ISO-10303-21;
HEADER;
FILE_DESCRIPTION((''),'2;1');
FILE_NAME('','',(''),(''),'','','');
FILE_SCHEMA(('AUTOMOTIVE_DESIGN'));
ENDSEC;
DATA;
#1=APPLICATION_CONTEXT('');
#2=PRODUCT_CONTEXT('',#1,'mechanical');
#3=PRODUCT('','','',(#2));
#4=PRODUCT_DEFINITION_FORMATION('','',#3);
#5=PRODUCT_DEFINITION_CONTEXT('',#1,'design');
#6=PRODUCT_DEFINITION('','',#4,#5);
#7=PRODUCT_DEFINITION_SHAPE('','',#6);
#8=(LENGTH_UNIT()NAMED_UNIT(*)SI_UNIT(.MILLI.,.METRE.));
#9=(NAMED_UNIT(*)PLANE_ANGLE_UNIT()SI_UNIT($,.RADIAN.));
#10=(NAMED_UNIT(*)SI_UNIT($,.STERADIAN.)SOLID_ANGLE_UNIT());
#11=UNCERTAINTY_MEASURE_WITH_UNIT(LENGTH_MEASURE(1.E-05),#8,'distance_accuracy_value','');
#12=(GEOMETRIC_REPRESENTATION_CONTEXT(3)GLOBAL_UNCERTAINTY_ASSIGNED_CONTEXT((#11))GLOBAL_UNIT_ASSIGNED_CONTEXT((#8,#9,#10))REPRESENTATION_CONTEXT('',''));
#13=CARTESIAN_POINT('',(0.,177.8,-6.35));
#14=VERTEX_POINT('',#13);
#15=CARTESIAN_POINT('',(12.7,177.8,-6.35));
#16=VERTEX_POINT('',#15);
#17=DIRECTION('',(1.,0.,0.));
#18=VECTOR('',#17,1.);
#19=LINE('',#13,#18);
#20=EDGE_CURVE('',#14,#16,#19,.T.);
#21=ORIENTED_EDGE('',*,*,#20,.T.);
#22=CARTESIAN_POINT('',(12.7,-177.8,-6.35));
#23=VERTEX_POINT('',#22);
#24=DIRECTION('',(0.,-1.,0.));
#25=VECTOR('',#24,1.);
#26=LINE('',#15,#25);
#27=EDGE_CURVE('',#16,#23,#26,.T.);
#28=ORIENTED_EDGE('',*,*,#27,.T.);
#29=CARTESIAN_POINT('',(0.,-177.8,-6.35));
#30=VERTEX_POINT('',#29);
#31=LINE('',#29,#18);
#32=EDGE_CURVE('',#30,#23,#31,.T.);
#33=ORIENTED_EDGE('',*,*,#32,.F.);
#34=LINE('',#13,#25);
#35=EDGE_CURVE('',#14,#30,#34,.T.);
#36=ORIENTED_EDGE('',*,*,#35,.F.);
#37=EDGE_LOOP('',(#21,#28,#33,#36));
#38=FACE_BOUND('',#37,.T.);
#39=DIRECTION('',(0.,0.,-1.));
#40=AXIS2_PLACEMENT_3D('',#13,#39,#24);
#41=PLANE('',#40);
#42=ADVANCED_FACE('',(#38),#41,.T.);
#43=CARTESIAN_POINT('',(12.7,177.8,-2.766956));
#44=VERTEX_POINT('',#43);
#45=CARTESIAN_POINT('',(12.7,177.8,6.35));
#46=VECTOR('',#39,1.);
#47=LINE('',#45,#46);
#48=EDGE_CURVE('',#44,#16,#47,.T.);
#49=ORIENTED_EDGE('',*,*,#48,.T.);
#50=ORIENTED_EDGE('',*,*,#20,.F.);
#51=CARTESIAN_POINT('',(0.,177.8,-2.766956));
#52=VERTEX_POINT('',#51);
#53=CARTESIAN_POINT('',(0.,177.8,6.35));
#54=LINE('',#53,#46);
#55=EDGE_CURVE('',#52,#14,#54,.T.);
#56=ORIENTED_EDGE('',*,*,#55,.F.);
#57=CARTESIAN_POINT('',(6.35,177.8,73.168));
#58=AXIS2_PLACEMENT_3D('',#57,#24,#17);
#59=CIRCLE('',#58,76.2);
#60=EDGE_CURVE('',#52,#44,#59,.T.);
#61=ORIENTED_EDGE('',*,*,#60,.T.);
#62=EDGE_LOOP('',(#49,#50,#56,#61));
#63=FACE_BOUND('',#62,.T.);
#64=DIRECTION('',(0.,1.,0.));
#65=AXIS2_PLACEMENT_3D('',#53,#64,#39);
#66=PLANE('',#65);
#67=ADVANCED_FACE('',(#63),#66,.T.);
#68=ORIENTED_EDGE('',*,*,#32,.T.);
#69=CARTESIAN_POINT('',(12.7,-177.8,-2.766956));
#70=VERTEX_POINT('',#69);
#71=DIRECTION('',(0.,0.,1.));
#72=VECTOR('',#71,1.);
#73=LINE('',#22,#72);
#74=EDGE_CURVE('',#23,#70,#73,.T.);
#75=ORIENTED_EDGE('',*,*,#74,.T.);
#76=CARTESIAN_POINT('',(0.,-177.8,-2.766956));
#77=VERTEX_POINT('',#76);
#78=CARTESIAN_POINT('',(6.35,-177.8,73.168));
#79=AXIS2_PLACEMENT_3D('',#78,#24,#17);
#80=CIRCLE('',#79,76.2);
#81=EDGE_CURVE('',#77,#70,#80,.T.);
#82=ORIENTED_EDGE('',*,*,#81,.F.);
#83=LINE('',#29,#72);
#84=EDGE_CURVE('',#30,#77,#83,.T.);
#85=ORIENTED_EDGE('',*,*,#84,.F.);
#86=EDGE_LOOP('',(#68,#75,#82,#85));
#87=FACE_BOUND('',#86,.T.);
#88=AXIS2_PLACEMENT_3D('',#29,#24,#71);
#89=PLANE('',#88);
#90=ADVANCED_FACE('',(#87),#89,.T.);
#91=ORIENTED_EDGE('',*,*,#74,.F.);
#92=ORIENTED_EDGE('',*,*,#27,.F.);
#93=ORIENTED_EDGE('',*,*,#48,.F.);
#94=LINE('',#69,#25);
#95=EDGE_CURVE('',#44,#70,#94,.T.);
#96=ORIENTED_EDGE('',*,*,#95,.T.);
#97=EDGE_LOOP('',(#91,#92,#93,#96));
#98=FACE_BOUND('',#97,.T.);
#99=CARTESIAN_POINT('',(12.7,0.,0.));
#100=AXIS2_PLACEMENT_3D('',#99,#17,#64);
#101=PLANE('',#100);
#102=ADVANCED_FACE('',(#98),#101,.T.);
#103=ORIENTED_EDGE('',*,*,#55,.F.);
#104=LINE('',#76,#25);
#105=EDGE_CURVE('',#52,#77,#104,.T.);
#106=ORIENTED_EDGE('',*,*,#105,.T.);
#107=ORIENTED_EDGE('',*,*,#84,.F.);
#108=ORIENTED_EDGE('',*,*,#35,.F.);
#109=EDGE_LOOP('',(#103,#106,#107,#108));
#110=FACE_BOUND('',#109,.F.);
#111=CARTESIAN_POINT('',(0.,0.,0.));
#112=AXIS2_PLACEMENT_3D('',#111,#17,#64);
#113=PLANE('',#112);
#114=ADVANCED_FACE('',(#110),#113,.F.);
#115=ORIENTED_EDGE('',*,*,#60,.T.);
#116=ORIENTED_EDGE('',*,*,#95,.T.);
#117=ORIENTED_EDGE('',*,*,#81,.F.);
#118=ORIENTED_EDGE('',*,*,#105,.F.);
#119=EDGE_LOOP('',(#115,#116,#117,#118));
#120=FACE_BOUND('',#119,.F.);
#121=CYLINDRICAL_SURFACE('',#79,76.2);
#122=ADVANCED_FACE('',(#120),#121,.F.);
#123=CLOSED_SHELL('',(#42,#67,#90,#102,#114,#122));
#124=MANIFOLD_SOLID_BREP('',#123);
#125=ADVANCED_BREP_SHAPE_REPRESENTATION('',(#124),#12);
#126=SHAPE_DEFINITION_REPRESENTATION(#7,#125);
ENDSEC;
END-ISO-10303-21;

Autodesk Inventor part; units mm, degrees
ref_plane "YZ Plane" through (0, 0, 0) normal (1, 0, 0) x (0, 1, 0)
ref_plane "XZ Plane" through (0, 0, 0) normal (0, 1, 0) x (-1, 0, 0)
ref_plane "XY Plane" through (0, 0, 0) normal (0, 0, 1) x (1, 0, 0)
sketch "Sketch1" plane through (0, 0, 0) normal (1, 0, 0) x (0, 1, 0)
  line L0 (-177.8, 6.35) -> (177.8, 6.35)
  line L1 (177.8, 6.35) -> (177.8, -6.35)
  line L2 (177.8, -6.35) -> (-177.8, -6.35)
  line L3 (-177.8, -6.35) -> (-177.8, 6.35)
  line L4 (-177.8, 6.35) -> (177.8, -6.35) construction
  line L5 (177.8, 6.35) -> (-177.8, -6.35) construction
  point P0 (0, 0)
  dimension "d0" = 355.6
  dimension "d1" = 12.7
extrude "Extrusion1" add sketch "Sketch1" along normal blind 12.7
sketch "Sketch2" plane through (0, -177.8, -6.35) normal (0, -1, 0) x (1, 0, 0)
  circle A0 centre (6.35, 79.518) radius 76.2
  line L0 (0, 0) -> (12.7, 0) projected
  point P0 (0, 6.35)
  point P1 (6.35, 3.318)
  point P2 (6.35, 0)
  point P3 (6.35, 0)
  point P4 (6.35, 0)
  dimension "d4" = 152.4
  dimension "d5" = 3.318
extrude "Extrusion2" cut sketch "Sketch2" against normal through all
properties part number "3DPRINT,BACK,RAIL" material "ABS Plastic"
